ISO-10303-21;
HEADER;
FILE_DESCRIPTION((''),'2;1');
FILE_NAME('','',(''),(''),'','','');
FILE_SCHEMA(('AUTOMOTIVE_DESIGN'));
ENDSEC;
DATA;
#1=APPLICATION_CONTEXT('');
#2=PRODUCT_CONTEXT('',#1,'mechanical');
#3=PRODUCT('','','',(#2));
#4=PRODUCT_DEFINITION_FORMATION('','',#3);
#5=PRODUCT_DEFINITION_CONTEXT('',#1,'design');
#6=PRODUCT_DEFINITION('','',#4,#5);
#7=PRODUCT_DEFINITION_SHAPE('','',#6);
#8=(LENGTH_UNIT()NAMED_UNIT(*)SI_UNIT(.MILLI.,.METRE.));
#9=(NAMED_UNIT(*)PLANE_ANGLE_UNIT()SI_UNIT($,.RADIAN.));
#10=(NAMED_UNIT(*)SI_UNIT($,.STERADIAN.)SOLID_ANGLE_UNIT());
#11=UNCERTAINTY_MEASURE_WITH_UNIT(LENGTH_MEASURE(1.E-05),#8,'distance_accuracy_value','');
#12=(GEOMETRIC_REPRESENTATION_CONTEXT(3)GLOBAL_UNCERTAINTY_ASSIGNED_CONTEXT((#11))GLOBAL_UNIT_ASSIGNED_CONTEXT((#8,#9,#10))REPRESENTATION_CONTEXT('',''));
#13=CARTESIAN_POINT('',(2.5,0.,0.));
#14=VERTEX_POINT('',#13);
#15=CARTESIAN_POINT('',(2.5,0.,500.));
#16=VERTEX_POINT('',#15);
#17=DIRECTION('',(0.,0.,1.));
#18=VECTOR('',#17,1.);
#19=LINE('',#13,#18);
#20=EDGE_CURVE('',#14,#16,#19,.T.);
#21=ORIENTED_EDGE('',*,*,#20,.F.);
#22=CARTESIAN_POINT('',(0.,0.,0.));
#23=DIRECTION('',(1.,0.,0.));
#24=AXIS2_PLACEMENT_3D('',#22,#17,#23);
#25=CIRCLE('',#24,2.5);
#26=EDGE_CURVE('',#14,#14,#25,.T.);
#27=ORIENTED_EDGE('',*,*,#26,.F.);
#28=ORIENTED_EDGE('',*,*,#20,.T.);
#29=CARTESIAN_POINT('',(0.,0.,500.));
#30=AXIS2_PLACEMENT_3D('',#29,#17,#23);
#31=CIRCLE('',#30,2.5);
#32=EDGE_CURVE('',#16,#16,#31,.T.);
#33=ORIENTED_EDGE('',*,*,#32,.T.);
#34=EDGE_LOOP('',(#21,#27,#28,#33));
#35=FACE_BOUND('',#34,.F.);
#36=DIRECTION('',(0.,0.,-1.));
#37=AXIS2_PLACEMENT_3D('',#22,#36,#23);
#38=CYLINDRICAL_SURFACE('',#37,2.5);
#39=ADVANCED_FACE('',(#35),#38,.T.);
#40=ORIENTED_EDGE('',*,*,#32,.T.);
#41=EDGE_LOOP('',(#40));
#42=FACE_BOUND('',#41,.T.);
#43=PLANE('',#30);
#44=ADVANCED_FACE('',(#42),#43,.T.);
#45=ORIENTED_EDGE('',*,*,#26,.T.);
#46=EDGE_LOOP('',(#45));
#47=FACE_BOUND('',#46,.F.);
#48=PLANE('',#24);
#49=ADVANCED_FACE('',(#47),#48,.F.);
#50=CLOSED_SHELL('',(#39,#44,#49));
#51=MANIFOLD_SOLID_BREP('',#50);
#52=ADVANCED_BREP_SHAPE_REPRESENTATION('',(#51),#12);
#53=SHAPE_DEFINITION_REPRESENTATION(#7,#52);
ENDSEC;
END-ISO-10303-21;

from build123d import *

# Parameters (mm, degrees)
SKETCH_R  = 2.5
PAD_DEPTH = 500


with BuildPart() as part:
    # Sketch → Pad (new body)
    with BuildSketch(Plane.XY):
        Circle(SKETCH_R)
    extrude(amount=PAD_DEPTH)


solid = part.part
